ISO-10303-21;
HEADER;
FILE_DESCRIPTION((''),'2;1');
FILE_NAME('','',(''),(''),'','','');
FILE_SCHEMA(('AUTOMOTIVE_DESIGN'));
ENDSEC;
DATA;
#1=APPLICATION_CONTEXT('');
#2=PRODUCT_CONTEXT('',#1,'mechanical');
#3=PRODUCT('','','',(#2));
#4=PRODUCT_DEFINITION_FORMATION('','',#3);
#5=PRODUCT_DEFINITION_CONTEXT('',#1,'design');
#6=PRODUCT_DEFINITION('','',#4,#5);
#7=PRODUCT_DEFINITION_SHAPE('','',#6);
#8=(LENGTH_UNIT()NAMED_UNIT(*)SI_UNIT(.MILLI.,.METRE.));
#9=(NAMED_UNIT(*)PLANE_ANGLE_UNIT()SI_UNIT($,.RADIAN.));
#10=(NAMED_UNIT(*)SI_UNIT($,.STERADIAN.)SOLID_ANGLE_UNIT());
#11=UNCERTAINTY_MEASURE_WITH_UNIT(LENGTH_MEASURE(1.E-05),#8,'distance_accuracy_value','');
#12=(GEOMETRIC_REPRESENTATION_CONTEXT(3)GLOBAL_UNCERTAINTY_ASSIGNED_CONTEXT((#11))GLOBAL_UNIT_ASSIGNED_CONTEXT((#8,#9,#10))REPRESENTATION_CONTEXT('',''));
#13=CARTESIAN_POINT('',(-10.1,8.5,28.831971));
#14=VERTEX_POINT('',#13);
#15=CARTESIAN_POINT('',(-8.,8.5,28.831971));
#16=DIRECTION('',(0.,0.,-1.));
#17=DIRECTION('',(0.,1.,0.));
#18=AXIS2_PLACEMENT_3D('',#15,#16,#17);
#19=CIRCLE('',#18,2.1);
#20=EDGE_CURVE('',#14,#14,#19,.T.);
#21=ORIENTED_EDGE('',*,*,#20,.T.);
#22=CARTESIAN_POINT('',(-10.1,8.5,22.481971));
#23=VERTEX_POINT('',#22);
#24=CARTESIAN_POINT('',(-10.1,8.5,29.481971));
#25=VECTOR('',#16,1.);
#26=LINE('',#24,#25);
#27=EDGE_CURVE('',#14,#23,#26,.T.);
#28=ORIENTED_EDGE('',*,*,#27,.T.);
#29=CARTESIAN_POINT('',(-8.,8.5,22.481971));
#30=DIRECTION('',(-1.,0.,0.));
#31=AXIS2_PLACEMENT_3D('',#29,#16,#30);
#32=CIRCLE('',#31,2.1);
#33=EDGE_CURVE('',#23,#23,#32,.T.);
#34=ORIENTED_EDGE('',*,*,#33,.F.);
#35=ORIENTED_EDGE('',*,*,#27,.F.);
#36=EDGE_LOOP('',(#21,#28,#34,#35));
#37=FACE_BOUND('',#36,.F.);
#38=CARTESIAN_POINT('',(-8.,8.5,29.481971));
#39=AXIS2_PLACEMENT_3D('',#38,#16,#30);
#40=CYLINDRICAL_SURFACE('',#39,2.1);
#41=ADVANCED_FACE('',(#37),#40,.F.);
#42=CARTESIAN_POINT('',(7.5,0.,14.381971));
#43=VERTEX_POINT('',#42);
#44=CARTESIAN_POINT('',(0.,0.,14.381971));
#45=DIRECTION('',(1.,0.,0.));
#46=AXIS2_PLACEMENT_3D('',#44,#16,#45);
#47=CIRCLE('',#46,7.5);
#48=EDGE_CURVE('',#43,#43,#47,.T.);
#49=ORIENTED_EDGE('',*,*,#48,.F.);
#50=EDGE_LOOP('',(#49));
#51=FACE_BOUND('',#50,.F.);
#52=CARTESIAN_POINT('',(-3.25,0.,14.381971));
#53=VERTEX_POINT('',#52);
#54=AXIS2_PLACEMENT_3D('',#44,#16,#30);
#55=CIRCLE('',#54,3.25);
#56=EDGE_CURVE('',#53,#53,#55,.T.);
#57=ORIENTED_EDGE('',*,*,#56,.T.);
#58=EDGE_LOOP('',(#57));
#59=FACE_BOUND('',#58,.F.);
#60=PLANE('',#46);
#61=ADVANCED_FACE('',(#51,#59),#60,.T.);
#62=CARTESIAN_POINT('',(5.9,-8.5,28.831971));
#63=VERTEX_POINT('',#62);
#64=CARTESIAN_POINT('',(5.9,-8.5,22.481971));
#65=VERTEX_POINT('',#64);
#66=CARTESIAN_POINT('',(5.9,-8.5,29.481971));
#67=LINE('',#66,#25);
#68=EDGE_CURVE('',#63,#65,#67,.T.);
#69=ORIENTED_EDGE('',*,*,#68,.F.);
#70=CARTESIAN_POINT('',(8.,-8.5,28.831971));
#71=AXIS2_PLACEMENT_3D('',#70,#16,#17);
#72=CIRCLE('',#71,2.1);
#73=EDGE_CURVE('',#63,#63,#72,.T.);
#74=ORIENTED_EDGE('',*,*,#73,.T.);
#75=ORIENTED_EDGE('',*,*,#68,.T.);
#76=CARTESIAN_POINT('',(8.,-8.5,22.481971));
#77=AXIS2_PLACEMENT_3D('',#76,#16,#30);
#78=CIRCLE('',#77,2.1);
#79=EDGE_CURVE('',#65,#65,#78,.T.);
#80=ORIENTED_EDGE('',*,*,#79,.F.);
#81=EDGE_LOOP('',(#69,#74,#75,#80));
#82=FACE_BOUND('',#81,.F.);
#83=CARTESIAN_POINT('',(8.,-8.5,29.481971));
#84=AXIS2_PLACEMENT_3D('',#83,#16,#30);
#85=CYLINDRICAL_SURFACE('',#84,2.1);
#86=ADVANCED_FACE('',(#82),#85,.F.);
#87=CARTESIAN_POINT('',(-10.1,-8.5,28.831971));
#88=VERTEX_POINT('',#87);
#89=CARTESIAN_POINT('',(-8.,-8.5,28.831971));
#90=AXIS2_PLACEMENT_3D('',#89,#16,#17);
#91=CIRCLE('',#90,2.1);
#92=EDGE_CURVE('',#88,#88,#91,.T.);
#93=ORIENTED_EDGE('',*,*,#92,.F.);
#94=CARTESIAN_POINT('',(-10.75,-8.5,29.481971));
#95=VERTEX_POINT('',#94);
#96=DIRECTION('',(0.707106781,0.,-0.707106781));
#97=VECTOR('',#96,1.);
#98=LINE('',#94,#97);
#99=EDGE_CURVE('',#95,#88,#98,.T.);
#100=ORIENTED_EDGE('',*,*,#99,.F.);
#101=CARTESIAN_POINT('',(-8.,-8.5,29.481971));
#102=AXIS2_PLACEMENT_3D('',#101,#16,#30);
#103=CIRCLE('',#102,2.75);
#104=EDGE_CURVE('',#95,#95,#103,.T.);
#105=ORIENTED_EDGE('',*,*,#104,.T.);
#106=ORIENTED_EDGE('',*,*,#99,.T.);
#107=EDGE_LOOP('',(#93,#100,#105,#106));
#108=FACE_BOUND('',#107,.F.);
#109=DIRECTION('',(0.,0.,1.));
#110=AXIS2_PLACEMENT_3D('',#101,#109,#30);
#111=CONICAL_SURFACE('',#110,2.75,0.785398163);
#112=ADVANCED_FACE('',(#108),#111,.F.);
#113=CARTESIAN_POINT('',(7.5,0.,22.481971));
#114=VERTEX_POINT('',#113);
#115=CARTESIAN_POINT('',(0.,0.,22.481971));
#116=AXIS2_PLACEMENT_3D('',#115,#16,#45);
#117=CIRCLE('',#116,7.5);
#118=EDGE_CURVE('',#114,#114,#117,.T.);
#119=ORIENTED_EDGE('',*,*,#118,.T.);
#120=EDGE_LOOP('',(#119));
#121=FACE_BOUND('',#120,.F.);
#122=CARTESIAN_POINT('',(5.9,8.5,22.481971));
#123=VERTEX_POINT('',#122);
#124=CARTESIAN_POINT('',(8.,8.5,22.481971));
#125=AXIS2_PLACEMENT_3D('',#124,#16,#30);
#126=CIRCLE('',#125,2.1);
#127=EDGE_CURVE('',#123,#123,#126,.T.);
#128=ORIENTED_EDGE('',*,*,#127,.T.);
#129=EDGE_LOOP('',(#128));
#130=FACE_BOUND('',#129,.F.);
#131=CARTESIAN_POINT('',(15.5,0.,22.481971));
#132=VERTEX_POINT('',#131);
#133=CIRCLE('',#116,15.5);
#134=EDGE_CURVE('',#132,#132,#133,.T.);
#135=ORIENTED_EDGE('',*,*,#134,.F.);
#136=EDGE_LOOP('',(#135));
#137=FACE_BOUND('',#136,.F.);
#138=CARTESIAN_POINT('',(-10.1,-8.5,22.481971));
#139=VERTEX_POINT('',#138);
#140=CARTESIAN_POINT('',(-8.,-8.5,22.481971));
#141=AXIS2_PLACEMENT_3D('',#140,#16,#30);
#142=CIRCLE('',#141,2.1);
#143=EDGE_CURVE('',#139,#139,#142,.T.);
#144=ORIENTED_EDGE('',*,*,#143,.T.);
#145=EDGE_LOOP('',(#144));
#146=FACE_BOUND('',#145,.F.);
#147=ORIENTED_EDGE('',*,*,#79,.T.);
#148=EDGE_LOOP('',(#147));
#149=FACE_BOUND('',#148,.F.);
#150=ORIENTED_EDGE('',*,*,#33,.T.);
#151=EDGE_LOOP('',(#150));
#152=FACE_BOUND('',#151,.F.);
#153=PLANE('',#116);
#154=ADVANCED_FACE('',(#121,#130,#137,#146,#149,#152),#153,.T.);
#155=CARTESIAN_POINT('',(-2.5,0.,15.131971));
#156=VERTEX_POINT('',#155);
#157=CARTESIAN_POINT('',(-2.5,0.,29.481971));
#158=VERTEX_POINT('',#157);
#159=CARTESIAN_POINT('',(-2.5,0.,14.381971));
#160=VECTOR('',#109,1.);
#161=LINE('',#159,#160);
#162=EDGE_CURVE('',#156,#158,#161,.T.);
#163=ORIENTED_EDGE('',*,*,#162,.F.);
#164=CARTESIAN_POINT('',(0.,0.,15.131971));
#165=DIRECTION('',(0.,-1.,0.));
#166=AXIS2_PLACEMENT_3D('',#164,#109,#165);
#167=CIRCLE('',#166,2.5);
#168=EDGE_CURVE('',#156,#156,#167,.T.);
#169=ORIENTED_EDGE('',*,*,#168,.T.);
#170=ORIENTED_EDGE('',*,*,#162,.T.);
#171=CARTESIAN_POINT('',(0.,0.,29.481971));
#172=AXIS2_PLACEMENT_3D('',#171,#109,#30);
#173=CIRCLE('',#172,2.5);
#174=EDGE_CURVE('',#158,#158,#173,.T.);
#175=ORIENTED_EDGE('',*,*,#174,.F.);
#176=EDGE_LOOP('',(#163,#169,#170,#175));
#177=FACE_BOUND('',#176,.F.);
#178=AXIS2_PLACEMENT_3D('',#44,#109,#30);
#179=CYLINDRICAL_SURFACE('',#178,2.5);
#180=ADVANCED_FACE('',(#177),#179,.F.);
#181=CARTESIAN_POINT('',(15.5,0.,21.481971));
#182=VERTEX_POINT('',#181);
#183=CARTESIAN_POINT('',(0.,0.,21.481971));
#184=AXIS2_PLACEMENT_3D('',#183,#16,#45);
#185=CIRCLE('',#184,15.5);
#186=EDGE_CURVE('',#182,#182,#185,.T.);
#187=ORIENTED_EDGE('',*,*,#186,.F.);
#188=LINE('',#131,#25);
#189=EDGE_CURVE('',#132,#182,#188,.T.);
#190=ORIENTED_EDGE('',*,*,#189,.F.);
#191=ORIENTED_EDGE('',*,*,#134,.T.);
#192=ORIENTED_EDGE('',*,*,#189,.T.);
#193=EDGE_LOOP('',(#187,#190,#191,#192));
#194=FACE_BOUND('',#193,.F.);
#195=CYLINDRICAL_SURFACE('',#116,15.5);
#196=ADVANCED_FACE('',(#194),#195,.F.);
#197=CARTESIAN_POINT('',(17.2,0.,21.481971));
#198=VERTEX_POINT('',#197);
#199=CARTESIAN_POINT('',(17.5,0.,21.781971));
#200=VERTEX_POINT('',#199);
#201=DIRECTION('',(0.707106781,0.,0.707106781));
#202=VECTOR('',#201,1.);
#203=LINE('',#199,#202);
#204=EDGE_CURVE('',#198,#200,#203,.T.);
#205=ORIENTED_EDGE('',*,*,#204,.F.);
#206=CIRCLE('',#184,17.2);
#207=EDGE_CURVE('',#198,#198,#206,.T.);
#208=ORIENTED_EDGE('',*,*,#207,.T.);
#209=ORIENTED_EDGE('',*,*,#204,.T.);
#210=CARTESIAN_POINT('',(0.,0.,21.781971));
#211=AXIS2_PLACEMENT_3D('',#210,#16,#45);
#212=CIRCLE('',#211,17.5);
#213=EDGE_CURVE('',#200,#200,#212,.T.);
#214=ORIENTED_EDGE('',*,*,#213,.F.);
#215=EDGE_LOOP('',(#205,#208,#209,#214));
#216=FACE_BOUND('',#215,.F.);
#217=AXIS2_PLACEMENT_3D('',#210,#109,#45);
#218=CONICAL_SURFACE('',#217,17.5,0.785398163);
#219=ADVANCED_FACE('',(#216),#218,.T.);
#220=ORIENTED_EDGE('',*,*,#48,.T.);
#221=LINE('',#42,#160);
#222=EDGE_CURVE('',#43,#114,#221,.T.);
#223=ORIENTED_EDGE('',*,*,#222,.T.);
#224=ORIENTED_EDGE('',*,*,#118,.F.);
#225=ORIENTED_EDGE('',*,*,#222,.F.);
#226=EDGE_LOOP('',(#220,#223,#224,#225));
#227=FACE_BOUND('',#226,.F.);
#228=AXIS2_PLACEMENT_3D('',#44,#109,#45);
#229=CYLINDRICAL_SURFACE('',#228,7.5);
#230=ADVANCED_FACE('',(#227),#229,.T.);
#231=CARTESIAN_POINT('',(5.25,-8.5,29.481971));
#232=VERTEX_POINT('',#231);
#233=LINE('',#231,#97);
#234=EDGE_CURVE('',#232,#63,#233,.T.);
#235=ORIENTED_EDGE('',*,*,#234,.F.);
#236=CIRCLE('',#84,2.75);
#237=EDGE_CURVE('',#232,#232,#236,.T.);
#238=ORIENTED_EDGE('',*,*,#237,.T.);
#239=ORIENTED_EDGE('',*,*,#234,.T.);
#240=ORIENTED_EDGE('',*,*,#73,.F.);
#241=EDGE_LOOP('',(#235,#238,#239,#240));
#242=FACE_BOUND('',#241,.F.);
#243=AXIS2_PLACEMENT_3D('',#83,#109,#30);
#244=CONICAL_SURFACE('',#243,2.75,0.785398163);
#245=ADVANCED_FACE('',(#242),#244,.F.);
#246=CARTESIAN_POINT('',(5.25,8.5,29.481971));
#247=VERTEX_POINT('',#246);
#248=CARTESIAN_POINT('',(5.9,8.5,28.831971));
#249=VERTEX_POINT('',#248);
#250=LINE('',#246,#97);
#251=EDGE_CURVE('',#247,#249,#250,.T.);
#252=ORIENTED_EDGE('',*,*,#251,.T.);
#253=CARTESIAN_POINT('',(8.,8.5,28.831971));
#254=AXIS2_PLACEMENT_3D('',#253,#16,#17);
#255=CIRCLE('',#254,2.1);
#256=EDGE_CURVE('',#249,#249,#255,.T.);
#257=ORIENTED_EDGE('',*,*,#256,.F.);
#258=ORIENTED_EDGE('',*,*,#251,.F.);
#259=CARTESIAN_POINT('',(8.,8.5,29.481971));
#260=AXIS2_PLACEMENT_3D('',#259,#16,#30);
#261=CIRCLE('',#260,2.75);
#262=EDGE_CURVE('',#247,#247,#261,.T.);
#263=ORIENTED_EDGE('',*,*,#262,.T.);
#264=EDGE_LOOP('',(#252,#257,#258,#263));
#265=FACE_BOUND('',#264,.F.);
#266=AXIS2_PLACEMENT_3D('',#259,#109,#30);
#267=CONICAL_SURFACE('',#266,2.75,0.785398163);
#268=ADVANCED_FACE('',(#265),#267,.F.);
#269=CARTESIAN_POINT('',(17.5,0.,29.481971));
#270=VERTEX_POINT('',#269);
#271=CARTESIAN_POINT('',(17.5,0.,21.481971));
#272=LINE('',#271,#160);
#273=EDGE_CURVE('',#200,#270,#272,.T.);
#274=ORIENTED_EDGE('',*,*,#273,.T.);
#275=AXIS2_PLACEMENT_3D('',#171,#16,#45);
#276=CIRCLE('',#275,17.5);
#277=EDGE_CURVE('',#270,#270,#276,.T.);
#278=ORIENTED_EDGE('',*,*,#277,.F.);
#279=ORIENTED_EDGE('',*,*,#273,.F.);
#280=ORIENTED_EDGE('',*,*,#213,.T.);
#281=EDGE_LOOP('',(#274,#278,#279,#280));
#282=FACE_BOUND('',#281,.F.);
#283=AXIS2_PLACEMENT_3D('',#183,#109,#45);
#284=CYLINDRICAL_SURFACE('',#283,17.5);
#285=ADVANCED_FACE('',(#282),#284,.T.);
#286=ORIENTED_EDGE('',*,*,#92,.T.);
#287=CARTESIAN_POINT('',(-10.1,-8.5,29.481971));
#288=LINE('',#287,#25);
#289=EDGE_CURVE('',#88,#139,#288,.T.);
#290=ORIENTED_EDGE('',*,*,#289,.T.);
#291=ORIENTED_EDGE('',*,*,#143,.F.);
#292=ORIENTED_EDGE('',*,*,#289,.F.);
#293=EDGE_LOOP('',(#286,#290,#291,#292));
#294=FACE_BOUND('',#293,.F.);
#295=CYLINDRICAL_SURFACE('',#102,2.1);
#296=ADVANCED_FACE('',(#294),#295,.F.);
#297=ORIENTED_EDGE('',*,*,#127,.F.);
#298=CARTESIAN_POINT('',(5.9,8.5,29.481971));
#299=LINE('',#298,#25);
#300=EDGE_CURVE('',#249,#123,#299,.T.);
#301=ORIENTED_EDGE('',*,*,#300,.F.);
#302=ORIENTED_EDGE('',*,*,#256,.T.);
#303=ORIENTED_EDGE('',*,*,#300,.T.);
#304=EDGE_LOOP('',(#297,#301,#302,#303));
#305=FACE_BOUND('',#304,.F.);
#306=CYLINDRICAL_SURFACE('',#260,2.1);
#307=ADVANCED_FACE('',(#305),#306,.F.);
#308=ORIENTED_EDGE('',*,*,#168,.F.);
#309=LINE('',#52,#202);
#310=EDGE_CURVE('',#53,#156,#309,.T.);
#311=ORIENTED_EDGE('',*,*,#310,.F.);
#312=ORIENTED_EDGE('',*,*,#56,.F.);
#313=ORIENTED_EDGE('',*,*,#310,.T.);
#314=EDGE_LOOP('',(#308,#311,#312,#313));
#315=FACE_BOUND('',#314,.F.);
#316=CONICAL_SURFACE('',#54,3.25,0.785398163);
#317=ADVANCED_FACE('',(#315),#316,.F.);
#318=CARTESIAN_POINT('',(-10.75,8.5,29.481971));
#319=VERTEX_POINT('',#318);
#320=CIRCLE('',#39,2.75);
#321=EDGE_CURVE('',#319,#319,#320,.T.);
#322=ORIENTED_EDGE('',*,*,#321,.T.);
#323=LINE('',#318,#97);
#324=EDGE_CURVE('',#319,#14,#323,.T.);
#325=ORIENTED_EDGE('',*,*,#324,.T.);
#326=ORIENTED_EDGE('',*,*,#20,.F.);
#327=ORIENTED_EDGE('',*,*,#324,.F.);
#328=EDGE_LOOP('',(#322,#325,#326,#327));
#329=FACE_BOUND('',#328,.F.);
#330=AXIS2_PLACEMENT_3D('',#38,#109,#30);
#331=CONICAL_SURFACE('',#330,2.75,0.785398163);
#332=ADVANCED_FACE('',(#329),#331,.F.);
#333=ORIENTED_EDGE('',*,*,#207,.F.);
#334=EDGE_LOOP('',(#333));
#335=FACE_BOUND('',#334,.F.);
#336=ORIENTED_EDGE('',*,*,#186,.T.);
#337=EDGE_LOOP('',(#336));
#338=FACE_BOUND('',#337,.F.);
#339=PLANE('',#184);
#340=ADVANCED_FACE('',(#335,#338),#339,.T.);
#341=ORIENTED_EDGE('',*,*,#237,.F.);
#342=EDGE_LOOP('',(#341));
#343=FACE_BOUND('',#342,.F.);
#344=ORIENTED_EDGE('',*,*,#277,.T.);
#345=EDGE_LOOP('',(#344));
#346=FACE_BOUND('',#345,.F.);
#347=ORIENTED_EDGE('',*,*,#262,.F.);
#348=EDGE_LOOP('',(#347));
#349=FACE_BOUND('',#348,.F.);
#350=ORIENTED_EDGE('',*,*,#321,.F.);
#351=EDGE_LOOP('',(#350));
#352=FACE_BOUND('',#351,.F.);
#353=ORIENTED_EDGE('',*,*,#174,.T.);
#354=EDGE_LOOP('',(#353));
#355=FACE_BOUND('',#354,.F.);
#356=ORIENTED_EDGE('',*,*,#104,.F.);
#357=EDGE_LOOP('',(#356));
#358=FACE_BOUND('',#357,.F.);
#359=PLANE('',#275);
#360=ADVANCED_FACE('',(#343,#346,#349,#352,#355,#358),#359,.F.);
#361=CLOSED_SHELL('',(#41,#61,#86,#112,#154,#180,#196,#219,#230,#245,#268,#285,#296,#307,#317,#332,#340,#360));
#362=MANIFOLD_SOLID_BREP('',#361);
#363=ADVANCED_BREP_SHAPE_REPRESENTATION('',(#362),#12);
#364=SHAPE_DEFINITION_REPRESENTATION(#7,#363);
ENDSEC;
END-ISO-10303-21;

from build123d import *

# Parameters (mm, degrees)
F3_D           = 4.2
F3_CSINK_D     = 5.5
F3_CSINK_ANGLE = 90
F5_D           = 5
F5_CSINK_D     = 6.5
F5_CSINK_ANGLE = 90
F6_SIZE        = 0.3


with BuildPart() as f1:
    # F0 (on Front) → F1 (revolve)
    with BuildSketch(Plane.XZ):
        Polygon((17.5, 29.481971), (0, 29.481971), (0, 14.381971), (7.5, 14.381971), (7.5, 22.481971), (15.5, 22.481971), (15.5, 21.481971), (17.5, 21.481971), align=None)
    revolve(axis=Axis((0, 0, 21.931971), (0, 0, -1)))

    # F3 (through all)
    with Locations(Plane.XY.offset(29.481971)):
        with Locations((-8, 8.5), (8, 8.5), (8, -8.5), (-8, -8.5)):
            CounterSinkHole(F3_D / 2, F3_CSINK_D / 2, counter_sink_angle=F3_CSINK_ANGLE)

    # F5 (through all)
    with Locations(Plane(origin=(0, 0, 14.381971), x_dir=(1, 0, 0), z_dir=(0, 0, -1))):
        with Locations((0, 0)):
            CounterSinkHole(F5_D / 2, F5_CSINK_D / 2, counter_sink_angle=F5_CSINK_ANGLE)

    # F6
    f6_edges = [f1.edges().sort_by_distance(p)[0] for p in [
        (-17.5, 0, 21.481971),
    ]]
    chamfer(f6_edges, length=F6_SIZE)


solid = f1.part
